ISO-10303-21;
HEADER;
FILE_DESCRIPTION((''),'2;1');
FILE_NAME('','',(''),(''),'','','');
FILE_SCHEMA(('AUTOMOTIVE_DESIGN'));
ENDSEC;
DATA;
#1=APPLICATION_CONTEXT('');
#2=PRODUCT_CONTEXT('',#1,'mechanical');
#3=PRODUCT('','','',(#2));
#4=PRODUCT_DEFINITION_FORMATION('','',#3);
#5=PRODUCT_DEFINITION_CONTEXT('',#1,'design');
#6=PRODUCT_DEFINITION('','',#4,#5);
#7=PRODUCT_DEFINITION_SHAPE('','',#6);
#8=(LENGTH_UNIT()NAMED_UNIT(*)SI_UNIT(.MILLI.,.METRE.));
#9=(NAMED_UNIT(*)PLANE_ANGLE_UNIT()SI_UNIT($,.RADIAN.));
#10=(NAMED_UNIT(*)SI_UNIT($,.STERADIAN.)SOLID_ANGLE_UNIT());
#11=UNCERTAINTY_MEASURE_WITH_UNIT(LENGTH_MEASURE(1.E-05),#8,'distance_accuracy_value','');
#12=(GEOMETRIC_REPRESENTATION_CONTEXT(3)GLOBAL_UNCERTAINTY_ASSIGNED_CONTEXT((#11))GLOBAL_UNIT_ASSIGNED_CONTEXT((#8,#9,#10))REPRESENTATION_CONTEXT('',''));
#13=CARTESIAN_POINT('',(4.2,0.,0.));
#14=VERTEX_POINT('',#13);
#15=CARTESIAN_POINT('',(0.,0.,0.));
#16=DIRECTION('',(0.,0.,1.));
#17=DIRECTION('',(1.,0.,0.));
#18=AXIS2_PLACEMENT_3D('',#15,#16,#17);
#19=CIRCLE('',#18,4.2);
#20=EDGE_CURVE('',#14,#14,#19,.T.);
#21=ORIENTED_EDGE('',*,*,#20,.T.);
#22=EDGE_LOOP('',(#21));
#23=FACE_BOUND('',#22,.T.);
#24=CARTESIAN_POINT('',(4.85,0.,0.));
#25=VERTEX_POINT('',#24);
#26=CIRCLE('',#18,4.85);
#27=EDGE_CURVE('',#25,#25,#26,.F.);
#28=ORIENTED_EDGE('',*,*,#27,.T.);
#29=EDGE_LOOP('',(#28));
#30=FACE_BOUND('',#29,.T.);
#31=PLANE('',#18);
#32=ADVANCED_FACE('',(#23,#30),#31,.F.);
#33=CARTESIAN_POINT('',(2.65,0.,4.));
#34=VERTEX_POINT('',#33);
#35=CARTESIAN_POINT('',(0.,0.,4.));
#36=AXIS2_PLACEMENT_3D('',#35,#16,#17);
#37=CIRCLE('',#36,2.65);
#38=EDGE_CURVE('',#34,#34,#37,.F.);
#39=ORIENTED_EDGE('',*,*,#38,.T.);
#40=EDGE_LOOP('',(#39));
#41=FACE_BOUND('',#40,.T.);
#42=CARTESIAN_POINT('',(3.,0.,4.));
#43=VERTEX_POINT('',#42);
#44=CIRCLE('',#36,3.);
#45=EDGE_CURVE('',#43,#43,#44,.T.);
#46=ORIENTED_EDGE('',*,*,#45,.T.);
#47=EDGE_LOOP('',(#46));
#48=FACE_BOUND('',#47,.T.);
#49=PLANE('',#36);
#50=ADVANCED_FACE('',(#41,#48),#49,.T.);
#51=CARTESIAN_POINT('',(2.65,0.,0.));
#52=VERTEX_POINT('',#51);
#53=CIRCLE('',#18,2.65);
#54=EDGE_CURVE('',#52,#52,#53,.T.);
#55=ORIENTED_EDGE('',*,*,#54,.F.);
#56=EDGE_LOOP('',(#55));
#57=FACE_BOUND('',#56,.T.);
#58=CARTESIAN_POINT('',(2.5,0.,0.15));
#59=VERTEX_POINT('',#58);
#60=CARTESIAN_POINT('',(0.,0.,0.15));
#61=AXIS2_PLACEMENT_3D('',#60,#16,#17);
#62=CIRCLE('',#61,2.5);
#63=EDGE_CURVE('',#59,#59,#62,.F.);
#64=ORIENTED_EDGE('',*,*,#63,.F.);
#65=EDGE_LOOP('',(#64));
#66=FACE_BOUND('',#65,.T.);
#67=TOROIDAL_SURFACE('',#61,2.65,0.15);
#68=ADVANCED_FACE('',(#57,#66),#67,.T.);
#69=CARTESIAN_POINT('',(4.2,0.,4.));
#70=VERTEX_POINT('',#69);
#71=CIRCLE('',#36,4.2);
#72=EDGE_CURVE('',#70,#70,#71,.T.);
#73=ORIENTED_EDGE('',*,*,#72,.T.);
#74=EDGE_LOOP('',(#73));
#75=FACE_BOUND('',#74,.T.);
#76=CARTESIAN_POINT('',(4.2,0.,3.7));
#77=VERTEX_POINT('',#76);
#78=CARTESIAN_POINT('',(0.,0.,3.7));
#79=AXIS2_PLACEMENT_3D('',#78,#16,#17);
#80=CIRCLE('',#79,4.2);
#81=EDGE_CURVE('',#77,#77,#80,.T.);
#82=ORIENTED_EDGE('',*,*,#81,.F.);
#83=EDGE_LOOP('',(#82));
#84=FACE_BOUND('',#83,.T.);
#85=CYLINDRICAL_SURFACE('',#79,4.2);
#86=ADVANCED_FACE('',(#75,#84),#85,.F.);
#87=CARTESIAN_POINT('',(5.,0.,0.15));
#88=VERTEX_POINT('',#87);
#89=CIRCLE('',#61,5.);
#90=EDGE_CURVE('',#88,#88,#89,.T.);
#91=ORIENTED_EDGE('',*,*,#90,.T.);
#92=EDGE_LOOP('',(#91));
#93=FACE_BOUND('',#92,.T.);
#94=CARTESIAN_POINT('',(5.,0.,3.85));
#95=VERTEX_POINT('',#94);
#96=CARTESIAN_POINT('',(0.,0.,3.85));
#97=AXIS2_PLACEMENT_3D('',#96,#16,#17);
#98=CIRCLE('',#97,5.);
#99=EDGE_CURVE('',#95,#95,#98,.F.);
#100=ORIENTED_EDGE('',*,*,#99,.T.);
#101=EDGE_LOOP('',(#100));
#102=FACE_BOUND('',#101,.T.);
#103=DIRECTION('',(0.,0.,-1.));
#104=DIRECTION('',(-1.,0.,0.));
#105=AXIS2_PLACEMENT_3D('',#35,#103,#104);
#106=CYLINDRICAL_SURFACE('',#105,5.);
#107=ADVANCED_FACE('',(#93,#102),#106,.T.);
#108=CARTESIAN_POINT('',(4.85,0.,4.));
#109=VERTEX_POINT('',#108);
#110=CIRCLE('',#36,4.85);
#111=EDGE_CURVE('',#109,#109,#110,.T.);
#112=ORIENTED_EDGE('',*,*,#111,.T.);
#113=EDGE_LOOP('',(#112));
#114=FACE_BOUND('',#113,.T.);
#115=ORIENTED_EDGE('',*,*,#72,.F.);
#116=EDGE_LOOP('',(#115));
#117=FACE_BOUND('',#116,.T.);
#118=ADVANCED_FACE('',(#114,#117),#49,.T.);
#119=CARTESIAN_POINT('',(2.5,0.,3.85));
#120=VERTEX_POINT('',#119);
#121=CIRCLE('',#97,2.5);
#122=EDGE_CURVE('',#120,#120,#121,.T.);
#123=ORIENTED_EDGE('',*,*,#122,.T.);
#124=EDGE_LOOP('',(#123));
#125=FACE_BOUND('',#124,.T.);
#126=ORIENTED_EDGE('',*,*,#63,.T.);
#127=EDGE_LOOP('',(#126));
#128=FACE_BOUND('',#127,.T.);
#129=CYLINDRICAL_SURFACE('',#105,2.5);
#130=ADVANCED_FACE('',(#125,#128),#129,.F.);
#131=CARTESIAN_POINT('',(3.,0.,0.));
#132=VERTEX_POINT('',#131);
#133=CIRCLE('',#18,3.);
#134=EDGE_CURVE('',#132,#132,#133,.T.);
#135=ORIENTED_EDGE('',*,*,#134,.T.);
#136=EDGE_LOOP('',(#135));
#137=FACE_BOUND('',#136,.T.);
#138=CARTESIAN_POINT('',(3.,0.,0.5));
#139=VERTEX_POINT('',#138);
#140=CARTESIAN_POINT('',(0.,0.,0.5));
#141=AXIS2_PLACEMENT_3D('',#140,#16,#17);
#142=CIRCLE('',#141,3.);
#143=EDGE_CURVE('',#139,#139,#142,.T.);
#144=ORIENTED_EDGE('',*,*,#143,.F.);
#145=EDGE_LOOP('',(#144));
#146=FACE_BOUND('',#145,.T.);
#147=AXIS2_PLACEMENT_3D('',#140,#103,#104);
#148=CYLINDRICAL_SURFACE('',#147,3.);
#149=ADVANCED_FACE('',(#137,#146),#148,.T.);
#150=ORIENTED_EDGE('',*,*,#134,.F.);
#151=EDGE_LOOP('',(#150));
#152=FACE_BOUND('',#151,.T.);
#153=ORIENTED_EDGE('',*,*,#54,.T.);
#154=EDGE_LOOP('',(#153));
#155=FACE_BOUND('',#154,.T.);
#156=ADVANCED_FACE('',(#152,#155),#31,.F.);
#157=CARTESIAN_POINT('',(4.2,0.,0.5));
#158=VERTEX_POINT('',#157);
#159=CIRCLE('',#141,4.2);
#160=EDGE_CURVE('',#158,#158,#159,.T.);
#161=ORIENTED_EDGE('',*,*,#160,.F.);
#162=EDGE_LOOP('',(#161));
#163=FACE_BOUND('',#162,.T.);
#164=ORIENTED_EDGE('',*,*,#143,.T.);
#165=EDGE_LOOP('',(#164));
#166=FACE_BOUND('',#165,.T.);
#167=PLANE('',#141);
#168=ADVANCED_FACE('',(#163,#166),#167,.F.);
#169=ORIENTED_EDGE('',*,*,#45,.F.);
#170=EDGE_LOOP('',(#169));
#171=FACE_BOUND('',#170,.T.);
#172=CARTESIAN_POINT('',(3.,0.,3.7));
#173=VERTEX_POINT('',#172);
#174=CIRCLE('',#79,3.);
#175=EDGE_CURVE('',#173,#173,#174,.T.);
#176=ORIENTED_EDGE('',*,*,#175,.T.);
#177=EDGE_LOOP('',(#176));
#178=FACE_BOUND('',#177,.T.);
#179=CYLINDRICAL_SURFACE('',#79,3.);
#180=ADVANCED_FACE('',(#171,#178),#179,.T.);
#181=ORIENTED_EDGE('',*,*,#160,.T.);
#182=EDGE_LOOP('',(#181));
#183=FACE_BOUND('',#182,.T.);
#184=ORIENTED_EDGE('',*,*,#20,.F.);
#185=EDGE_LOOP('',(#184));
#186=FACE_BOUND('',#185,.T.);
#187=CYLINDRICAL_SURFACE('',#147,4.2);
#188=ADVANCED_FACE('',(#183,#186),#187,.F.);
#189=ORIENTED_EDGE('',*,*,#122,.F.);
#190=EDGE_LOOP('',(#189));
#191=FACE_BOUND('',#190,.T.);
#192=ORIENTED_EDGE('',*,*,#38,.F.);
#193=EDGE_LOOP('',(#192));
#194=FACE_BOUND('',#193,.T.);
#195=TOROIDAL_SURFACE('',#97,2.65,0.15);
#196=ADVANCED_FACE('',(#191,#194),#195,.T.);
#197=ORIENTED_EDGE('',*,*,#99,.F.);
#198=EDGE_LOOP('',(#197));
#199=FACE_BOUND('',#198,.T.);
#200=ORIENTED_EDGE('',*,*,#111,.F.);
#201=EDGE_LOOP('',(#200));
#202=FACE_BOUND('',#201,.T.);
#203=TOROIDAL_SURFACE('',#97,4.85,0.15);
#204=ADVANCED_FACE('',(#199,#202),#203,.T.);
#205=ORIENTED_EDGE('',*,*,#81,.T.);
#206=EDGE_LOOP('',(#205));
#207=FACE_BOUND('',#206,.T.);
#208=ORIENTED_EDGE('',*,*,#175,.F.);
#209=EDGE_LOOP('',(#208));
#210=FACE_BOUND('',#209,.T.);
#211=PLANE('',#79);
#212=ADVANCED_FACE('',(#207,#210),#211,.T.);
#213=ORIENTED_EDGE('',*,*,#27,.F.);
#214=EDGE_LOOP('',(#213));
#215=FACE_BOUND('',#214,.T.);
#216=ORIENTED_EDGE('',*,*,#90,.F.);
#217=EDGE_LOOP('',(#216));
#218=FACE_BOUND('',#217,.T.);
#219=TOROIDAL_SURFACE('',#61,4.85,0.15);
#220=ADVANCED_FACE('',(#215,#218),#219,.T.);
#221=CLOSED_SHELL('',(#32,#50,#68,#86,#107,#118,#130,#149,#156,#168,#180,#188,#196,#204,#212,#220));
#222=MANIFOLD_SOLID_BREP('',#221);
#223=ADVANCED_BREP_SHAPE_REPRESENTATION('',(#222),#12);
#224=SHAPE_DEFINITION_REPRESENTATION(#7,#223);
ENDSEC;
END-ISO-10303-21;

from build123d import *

# Parameters (mm, degrees)
SKETCH1_R           = 5
SKETCH1_R_2         = 2.5
BOSS_EXTRUDE1_DEPTH = 4
SKETCH2_R           = 4.2
SKETCH2_R_2         = 3
CUT_EXTRUDE1_DEPTH  = 0.3
CUT_EXTRUDE2_START  = -3.5
SKETCH2_2_R         = 4.2
SKETCH2_2_R_2       = 3
CUT_EXTRUDE2_DEPTH  = 0.5
FILLET1_R           = 0.15


with BuildPart() as part:
    # Sketch1 → Boss-Extrude1 (new body)
    with BuildSketch(Plane.XY):
        Circle(SKETCH1_R)
        Circle(SKETCH1_R_2, mode=Mode.SUBTRACT)
    extrude(amount=BOSS_EXTRUDE1_DEPTH)

    # Sketch2 → Cut-Extrude1 (cut)
    with BuildSketch(Plane.XY.offset(4)):
        Circle(SKETCH2_R)
        Circle(SKETCH2_R_2, mode=Mode.SUBTRACT)
    extrude(amount=-CUT_EXTRUDE1_DEPTH, mode=Mode.SUBTRACT)

    # Sketch2<2> → Cut-Extrude2 (cut)
    with BuildSketch(Plane.XY.offset(4).offset(CUT_EXTRUDE2_START)):
        Circle(SKETCH2_2_R)
        Circle(SKETCH2_2_R_2, mode=Mode.SUBTRACT)
    extrude(amount=-CUT_EXTRUDE2_DEPTH, mode=Mode.SUBTRACT)

    # Fillet1
    fillet1_edges = [part.edges().sort_by_distance(p)[0] for p in [
        (-5, 0, 0),
        (-5, 0, 4),
        (-2.5, 0, 0),
        (-2.5, 0, 4),
    ]]
    fillet(fillet1_edges, radius=FILLET1_R)


solid = part.part
